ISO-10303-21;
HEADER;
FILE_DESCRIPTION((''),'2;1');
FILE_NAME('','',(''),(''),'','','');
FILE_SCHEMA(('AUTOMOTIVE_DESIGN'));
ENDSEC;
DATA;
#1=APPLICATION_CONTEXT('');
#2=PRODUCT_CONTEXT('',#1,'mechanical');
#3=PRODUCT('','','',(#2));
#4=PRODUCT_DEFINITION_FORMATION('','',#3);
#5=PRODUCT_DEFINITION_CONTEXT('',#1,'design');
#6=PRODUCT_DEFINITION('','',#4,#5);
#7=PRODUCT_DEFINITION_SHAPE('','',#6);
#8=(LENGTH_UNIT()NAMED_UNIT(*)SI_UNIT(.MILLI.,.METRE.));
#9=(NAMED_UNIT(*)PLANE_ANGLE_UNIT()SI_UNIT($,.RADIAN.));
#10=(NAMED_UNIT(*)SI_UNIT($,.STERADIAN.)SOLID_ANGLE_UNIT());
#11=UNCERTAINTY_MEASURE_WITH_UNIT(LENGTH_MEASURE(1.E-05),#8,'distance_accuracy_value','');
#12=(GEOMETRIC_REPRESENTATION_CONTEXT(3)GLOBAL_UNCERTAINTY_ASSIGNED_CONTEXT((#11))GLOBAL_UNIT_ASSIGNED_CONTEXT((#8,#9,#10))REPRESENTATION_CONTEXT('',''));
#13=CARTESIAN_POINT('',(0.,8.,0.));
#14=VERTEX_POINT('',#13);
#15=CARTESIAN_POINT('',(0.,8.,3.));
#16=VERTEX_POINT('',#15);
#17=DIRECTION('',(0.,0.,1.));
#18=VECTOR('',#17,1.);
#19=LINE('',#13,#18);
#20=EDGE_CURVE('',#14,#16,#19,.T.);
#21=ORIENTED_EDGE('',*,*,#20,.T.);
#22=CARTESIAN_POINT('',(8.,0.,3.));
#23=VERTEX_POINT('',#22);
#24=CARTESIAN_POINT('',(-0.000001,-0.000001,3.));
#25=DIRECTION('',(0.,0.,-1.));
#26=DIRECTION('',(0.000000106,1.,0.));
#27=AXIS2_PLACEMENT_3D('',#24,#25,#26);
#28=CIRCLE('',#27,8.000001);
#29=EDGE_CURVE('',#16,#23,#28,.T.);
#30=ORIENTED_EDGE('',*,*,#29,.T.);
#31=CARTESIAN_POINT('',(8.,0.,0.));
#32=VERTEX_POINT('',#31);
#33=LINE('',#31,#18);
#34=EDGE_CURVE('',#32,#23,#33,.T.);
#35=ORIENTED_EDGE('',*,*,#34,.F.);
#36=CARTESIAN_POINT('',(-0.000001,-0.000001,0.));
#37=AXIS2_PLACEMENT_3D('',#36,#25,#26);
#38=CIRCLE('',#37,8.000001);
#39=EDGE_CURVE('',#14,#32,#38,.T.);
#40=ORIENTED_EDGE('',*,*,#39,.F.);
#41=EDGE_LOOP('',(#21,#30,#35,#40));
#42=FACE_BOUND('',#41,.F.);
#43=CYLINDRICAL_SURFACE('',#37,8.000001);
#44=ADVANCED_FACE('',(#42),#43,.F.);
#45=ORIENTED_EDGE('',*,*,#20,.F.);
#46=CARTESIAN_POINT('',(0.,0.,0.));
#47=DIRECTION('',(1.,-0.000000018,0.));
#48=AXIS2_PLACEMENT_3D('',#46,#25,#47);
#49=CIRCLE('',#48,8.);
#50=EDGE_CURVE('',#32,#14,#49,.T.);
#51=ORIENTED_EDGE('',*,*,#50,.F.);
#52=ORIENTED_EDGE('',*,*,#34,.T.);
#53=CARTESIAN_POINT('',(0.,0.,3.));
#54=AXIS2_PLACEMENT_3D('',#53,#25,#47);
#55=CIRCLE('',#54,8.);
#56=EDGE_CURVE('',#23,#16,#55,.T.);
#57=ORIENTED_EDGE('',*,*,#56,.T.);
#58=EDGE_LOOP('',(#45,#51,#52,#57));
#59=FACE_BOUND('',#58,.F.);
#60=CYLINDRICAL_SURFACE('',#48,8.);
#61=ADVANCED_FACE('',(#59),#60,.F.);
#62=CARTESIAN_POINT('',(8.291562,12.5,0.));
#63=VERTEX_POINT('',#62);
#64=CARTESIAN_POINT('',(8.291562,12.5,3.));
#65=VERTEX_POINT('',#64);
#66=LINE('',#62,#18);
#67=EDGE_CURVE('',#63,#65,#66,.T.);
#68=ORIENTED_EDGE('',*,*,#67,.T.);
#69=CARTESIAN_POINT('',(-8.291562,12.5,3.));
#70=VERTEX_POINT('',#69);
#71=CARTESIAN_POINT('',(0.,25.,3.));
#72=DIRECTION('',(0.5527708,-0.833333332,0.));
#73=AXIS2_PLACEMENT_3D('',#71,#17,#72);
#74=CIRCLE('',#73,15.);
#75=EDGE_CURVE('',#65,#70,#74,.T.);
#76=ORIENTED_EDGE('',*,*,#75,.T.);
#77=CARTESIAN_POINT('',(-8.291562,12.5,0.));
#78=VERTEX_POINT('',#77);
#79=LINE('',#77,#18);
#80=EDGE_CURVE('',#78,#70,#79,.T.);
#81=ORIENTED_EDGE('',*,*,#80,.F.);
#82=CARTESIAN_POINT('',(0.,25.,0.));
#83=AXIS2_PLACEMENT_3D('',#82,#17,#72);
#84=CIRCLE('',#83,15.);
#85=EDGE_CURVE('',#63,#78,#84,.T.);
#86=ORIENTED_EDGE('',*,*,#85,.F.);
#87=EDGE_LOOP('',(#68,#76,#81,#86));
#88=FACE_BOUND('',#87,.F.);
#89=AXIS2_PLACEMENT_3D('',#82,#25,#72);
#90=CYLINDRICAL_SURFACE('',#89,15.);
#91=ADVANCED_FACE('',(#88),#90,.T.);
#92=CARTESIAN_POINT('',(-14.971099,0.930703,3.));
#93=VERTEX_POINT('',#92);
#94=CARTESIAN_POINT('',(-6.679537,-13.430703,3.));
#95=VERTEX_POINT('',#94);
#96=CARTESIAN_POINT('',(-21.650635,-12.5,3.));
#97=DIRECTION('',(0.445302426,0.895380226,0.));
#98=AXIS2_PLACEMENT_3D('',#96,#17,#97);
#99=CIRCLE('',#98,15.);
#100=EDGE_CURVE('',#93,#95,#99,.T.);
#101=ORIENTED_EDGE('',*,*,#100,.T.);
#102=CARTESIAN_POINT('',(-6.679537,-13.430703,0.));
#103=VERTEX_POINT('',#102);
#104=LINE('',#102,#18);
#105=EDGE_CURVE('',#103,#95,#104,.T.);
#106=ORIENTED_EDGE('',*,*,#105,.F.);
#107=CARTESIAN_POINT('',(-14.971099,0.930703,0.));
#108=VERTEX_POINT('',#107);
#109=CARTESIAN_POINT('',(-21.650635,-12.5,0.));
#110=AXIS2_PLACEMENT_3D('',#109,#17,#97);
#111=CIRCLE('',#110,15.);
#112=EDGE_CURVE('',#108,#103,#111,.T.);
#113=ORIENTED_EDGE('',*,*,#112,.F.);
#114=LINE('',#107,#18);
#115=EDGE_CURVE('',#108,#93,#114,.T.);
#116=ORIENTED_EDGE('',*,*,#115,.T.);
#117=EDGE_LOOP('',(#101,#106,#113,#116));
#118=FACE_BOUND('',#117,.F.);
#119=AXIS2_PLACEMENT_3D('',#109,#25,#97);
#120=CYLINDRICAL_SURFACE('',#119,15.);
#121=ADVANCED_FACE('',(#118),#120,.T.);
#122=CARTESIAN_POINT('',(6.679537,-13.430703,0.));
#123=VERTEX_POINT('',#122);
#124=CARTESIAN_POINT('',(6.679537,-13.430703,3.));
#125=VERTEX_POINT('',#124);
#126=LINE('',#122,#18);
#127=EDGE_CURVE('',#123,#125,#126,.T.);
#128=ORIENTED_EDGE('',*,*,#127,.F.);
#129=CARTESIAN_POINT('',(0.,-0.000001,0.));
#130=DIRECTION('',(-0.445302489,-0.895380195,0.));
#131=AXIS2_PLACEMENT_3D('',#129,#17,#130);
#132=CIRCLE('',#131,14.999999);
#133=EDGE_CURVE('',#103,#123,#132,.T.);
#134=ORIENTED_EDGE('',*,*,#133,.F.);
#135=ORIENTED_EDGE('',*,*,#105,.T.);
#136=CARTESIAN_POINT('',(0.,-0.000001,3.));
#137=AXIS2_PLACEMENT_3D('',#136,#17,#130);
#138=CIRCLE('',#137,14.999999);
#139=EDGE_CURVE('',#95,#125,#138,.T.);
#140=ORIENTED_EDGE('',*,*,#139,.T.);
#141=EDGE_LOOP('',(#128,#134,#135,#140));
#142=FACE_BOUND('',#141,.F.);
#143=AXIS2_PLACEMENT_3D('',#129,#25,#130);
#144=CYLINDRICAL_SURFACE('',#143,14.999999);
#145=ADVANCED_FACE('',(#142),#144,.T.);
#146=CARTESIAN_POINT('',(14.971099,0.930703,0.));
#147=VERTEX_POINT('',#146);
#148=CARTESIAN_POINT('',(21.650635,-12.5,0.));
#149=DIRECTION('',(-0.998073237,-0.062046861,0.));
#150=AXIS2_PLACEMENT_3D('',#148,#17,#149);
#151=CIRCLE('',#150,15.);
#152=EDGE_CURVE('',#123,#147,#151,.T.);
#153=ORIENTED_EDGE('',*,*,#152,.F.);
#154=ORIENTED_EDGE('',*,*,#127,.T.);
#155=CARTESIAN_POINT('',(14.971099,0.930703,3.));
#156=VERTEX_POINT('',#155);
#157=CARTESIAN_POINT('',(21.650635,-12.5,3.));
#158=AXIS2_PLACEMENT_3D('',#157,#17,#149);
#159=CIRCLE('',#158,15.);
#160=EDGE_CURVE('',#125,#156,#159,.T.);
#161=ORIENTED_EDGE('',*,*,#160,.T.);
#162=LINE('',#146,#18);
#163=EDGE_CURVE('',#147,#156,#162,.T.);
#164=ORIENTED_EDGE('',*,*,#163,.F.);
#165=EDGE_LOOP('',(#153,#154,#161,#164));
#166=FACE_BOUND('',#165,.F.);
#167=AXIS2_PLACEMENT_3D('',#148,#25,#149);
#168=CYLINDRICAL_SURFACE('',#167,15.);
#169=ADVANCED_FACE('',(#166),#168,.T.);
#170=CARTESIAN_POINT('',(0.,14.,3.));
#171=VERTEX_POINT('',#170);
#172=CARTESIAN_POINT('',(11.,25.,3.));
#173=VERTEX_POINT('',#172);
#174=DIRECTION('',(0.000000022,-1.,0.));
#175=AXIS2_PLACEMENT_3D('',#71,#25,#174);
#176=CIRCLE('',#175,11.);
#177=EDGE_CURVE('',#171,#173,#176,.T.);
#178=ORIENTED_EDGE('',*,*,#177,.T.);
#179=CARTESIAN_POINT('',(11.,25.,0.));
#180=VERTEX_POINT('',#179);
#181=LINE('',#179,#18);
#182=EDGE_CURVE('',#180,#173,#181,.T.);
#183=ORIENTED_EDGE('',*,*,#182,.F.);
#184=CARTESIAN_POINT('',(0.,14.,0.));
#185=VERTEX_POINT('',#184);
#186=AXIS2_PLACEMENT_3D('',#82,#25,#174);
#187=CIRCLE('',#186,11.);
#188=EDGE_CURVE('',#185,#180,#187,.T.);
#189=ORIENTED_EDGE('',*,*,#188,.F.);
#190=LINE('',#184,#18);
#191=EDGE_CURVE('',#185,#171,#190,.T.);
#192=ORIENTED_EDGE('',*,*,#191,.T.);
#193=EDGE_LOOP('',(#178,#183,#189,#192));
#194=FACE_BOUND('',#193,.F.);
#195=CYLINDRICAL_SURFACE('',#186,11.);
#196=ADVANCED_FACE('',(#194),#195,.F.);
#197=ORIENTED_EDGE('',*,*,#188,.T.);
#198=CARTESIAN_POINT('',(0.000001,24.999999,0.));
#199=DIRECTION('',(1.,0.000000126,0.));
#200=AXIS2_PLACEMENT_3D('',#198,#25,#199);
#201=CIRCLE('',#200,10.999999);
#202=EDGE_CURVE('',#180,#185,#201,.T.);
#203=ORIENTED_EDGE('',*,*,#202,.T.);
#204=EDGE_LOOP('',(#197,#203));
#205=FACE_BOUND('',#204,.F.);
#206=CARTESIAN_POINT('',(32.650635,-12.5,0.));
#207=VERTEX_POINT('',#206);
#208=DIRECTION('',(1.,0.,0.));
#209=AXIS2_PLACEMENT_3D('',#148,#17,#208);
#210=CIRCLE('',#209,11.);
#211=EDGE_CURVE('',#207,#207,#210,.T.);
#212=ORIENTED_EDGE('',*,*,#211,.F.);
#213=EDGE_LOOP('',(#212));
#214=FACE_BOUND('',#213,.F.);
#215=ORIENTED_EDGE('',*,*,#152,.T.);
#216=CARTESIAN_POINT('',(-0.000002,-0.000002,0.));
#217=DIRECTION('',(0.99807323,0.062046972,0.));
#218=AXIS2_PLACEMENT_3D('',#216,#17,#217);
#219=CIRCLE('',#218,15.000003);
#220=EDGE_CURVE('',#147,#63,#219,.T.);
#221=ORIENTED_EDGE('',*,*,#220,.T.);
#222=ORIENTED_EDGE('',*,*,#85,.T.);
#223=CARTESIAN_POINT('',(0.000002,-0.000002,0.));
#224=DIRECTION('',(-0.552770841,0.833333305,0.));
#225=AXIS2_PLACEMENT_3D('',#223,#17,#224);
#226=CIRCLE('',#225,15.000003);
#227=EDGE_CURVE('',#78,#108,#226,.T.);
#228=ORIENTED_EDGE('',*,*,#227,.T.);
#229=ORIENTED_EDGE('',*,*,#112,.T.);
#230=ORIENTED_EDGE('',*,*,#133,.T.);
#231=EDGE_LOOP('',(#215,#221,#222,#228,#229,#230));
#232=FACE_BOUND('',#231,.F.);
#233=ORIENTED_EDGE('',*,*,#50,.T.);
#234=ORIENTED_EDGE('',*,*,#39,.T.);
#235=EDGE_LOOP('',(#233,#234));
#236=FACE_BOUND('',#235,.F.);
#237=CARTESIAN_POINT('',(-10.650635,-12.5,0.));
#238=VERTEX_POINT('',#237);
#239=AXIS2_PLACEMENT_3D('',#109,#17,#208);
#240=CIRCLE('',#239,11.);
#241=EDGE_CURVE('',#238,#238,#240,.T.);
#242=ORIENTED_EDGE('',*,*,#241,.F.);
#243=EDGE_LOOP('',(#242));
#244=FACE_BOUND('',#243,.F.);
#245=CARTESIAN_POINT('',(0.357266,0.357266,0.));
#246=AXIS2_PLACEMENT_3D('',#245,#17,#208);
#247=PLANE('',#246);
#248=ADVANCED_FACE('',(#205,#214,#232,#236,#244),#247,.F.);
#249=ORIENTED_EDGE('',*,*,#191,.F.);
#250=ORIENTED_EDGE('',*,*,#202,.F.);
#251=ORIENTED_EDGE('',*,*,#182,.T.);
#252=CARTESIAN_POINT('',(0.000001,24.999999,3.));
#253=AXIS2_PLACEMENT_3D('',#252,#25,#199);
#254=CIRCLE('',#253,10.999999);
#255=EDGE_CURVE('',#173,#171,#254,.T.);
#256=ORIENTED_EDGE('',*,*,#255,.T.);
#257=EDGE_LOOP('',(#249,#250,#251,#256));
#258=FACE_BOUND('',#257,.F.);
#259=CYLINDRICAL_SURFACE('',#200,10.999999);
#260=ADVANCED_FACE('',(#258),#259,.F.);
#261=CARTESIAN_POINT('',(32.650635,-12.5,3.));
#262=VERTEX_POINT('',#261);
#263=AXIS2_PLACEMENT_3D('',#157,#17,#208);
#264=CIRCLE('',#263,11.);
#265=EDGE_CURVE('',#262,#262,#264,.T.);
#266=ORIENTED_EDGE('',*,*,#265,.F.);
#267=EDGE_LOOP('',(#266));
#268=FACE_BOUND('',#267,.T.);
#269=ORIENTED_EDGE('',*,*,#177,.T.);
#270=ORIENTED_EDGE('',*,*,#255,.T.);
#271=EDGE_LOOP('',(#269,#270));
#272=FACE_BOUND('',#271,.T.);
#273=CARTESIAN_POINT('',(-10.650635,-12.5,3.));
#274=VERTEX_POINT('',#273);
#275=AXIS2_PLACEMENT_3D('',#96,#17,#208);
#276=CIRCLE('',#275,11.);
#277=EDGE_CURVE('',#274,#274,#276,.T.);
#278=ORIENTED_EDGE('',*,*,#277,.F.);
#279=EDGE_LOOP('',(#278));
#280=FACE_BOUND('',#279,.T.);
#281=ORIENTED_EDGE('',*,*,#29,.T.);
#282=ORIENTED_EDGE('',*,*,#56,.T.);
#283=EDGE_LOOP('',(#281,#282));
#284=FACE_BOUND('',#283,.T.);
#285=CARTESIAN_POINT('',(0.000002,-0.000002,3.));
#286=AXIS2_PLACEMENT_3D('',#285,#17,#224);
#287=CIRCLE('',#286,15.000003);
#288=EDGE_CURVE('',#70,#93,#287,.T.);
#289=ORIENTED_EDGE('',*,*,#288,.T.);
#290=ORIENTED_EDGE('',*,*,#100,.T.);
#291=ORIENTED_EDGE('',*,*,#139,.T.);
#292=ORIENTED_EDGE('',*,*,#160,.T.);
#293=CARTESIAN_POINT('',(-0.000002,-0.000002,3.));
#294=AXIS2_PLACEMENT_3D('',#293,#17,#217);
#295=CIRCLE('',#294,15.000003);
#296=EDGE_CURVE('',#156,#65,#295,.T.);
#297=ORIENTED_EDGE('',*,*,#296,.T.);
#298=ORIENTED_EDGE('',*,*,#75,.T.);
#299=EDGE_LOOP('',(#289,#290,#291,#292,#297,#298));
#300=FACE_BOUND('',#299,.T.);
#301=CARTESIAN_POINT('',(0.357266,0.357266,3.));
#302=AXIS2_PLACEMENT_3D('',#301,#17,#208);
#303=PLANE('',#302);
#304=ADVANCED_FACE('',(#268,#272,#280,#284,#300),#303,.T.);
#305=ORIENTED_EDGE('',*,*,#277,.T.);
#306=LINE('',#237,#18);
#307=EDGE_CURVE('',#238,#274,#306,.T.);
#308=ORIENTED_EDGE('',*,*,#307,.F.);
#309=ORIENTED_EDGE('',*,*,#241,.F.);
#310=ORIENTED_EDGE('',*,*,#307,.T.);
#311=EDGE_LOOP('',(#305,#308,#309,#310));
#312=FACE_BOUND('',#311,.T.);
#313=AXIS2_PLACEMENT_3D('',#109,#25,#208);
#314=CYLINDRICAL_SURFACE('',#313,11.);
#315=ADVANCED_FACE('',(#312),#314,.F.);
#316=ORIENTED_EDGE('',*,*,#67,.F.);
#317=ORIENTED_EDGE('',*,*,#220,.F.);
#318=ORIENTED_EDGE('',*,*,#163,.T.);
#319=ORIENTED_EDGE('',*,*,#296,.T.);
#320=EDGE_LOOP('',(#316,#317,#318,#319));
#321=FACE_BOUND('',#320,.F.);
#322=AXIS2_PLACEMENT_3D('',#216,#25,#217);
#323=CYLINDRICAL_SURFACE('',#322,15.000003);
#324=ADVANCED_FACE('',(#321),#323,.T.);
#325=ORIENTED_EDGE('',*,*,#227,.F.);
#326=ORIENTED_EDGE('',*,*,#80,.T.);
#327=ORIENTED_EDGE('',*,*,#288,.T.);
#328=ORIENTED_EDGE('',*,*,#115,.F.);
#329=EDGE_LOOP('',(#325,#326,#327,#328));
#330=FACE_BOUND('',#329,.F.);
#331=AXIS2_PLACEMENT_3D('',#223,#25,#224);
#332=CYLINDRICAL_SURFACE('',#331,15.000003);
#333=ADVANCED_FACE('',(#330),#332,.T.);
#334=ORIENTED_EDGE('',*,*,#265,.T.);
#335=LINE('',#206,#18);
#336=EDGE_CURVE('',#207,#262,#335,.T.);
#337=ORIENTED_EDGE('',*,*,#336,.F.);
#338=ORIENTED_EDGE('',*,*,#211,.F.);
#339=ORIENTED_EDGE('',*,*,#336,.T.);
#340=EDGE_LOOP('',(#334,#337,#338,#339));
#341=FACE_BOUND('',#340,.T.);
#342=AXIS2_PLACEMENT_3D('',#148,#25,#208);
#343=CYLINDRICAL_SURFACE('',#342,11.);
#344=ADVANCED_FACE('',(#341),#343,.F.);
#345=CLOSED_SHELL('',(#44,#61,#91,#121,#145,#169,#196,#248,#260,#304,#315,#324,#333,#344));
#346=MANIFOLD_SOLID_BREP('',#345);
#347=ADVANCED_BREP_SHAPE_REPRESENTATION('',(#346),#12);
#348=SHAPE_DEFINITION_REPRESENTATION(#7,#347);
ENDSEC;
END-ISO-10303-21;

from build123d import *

# Parameters (mm, degrees)
F0_R     = 11
F1_DEPTH = 3


with BuildPart() as f1:
    # F0 (on Top) → F1 (new body)
    with BuildSketch(Plane.XY):
        with BuildLine():
            ThreePointArc((0, 8), (-5.656854, -5.656854), (8, 0))
            ThreePointArc((8, 0), (5.656854, 5.656854), (0, 8))
        make_face()
        with BuildLine():
            ThreePointArc((11, 25), (-7.778175, 32.778175), (0, 14))
            ThreePointArc((0, 14), (7.778175, 17.221825), (11, 25))
        make_face()
        with BuildLine():
            ThreePointArc((8.291562, 12.5), (0, 40), (-8.291562, 12.5))
            ThreePointArc((-8.291562, 12.5), (-12.990381, 7.5), (-14.971099, 0.930703))
            ThreePointArc((-14.971099, 0.930703), (-34.641016, -20), (-6.679537, -13.430703))
            ThreePointArc((-6.679537, -13.430703), (0, -15), (6.679537, -13.430703))
            ThreePointArc((6.679537, -13.430703), (34.641016, -20), (14.971099, 0.930703))
            ThreePointArc((14.971099, 0.930703), (12.990381, 7.5), (8.291562, 12.5))
        make_face()
        with Locations((-21.650635, -12.5)):
            Circle(F0_R, mode=Mode.SUBTRACT)
        with Locations((21.650635, -12.5)):
            Circle(F0_R, mode=Mode.SUBTRACT)
        with BuildLine():
            ThreePointArc((0, 8), (5.656854, 5.656854), (8, 0))
            ThreePointArc((8, 0), (-5.656854, -5.656854), (0, 8))
        make_face(mode=Mode.SUBTRACT)
        with BuildLine():
            ThreePointArc((11, 25), (7.778175, 17.221825), (0, 14))
            ThreePointArc((0, 14), (-7.778175, 32.778175), (11, 25))
        make_face(mode=Mode.SUBTRACT)
    extrude(amount=F1_DEPTH)


solid = f1.part
